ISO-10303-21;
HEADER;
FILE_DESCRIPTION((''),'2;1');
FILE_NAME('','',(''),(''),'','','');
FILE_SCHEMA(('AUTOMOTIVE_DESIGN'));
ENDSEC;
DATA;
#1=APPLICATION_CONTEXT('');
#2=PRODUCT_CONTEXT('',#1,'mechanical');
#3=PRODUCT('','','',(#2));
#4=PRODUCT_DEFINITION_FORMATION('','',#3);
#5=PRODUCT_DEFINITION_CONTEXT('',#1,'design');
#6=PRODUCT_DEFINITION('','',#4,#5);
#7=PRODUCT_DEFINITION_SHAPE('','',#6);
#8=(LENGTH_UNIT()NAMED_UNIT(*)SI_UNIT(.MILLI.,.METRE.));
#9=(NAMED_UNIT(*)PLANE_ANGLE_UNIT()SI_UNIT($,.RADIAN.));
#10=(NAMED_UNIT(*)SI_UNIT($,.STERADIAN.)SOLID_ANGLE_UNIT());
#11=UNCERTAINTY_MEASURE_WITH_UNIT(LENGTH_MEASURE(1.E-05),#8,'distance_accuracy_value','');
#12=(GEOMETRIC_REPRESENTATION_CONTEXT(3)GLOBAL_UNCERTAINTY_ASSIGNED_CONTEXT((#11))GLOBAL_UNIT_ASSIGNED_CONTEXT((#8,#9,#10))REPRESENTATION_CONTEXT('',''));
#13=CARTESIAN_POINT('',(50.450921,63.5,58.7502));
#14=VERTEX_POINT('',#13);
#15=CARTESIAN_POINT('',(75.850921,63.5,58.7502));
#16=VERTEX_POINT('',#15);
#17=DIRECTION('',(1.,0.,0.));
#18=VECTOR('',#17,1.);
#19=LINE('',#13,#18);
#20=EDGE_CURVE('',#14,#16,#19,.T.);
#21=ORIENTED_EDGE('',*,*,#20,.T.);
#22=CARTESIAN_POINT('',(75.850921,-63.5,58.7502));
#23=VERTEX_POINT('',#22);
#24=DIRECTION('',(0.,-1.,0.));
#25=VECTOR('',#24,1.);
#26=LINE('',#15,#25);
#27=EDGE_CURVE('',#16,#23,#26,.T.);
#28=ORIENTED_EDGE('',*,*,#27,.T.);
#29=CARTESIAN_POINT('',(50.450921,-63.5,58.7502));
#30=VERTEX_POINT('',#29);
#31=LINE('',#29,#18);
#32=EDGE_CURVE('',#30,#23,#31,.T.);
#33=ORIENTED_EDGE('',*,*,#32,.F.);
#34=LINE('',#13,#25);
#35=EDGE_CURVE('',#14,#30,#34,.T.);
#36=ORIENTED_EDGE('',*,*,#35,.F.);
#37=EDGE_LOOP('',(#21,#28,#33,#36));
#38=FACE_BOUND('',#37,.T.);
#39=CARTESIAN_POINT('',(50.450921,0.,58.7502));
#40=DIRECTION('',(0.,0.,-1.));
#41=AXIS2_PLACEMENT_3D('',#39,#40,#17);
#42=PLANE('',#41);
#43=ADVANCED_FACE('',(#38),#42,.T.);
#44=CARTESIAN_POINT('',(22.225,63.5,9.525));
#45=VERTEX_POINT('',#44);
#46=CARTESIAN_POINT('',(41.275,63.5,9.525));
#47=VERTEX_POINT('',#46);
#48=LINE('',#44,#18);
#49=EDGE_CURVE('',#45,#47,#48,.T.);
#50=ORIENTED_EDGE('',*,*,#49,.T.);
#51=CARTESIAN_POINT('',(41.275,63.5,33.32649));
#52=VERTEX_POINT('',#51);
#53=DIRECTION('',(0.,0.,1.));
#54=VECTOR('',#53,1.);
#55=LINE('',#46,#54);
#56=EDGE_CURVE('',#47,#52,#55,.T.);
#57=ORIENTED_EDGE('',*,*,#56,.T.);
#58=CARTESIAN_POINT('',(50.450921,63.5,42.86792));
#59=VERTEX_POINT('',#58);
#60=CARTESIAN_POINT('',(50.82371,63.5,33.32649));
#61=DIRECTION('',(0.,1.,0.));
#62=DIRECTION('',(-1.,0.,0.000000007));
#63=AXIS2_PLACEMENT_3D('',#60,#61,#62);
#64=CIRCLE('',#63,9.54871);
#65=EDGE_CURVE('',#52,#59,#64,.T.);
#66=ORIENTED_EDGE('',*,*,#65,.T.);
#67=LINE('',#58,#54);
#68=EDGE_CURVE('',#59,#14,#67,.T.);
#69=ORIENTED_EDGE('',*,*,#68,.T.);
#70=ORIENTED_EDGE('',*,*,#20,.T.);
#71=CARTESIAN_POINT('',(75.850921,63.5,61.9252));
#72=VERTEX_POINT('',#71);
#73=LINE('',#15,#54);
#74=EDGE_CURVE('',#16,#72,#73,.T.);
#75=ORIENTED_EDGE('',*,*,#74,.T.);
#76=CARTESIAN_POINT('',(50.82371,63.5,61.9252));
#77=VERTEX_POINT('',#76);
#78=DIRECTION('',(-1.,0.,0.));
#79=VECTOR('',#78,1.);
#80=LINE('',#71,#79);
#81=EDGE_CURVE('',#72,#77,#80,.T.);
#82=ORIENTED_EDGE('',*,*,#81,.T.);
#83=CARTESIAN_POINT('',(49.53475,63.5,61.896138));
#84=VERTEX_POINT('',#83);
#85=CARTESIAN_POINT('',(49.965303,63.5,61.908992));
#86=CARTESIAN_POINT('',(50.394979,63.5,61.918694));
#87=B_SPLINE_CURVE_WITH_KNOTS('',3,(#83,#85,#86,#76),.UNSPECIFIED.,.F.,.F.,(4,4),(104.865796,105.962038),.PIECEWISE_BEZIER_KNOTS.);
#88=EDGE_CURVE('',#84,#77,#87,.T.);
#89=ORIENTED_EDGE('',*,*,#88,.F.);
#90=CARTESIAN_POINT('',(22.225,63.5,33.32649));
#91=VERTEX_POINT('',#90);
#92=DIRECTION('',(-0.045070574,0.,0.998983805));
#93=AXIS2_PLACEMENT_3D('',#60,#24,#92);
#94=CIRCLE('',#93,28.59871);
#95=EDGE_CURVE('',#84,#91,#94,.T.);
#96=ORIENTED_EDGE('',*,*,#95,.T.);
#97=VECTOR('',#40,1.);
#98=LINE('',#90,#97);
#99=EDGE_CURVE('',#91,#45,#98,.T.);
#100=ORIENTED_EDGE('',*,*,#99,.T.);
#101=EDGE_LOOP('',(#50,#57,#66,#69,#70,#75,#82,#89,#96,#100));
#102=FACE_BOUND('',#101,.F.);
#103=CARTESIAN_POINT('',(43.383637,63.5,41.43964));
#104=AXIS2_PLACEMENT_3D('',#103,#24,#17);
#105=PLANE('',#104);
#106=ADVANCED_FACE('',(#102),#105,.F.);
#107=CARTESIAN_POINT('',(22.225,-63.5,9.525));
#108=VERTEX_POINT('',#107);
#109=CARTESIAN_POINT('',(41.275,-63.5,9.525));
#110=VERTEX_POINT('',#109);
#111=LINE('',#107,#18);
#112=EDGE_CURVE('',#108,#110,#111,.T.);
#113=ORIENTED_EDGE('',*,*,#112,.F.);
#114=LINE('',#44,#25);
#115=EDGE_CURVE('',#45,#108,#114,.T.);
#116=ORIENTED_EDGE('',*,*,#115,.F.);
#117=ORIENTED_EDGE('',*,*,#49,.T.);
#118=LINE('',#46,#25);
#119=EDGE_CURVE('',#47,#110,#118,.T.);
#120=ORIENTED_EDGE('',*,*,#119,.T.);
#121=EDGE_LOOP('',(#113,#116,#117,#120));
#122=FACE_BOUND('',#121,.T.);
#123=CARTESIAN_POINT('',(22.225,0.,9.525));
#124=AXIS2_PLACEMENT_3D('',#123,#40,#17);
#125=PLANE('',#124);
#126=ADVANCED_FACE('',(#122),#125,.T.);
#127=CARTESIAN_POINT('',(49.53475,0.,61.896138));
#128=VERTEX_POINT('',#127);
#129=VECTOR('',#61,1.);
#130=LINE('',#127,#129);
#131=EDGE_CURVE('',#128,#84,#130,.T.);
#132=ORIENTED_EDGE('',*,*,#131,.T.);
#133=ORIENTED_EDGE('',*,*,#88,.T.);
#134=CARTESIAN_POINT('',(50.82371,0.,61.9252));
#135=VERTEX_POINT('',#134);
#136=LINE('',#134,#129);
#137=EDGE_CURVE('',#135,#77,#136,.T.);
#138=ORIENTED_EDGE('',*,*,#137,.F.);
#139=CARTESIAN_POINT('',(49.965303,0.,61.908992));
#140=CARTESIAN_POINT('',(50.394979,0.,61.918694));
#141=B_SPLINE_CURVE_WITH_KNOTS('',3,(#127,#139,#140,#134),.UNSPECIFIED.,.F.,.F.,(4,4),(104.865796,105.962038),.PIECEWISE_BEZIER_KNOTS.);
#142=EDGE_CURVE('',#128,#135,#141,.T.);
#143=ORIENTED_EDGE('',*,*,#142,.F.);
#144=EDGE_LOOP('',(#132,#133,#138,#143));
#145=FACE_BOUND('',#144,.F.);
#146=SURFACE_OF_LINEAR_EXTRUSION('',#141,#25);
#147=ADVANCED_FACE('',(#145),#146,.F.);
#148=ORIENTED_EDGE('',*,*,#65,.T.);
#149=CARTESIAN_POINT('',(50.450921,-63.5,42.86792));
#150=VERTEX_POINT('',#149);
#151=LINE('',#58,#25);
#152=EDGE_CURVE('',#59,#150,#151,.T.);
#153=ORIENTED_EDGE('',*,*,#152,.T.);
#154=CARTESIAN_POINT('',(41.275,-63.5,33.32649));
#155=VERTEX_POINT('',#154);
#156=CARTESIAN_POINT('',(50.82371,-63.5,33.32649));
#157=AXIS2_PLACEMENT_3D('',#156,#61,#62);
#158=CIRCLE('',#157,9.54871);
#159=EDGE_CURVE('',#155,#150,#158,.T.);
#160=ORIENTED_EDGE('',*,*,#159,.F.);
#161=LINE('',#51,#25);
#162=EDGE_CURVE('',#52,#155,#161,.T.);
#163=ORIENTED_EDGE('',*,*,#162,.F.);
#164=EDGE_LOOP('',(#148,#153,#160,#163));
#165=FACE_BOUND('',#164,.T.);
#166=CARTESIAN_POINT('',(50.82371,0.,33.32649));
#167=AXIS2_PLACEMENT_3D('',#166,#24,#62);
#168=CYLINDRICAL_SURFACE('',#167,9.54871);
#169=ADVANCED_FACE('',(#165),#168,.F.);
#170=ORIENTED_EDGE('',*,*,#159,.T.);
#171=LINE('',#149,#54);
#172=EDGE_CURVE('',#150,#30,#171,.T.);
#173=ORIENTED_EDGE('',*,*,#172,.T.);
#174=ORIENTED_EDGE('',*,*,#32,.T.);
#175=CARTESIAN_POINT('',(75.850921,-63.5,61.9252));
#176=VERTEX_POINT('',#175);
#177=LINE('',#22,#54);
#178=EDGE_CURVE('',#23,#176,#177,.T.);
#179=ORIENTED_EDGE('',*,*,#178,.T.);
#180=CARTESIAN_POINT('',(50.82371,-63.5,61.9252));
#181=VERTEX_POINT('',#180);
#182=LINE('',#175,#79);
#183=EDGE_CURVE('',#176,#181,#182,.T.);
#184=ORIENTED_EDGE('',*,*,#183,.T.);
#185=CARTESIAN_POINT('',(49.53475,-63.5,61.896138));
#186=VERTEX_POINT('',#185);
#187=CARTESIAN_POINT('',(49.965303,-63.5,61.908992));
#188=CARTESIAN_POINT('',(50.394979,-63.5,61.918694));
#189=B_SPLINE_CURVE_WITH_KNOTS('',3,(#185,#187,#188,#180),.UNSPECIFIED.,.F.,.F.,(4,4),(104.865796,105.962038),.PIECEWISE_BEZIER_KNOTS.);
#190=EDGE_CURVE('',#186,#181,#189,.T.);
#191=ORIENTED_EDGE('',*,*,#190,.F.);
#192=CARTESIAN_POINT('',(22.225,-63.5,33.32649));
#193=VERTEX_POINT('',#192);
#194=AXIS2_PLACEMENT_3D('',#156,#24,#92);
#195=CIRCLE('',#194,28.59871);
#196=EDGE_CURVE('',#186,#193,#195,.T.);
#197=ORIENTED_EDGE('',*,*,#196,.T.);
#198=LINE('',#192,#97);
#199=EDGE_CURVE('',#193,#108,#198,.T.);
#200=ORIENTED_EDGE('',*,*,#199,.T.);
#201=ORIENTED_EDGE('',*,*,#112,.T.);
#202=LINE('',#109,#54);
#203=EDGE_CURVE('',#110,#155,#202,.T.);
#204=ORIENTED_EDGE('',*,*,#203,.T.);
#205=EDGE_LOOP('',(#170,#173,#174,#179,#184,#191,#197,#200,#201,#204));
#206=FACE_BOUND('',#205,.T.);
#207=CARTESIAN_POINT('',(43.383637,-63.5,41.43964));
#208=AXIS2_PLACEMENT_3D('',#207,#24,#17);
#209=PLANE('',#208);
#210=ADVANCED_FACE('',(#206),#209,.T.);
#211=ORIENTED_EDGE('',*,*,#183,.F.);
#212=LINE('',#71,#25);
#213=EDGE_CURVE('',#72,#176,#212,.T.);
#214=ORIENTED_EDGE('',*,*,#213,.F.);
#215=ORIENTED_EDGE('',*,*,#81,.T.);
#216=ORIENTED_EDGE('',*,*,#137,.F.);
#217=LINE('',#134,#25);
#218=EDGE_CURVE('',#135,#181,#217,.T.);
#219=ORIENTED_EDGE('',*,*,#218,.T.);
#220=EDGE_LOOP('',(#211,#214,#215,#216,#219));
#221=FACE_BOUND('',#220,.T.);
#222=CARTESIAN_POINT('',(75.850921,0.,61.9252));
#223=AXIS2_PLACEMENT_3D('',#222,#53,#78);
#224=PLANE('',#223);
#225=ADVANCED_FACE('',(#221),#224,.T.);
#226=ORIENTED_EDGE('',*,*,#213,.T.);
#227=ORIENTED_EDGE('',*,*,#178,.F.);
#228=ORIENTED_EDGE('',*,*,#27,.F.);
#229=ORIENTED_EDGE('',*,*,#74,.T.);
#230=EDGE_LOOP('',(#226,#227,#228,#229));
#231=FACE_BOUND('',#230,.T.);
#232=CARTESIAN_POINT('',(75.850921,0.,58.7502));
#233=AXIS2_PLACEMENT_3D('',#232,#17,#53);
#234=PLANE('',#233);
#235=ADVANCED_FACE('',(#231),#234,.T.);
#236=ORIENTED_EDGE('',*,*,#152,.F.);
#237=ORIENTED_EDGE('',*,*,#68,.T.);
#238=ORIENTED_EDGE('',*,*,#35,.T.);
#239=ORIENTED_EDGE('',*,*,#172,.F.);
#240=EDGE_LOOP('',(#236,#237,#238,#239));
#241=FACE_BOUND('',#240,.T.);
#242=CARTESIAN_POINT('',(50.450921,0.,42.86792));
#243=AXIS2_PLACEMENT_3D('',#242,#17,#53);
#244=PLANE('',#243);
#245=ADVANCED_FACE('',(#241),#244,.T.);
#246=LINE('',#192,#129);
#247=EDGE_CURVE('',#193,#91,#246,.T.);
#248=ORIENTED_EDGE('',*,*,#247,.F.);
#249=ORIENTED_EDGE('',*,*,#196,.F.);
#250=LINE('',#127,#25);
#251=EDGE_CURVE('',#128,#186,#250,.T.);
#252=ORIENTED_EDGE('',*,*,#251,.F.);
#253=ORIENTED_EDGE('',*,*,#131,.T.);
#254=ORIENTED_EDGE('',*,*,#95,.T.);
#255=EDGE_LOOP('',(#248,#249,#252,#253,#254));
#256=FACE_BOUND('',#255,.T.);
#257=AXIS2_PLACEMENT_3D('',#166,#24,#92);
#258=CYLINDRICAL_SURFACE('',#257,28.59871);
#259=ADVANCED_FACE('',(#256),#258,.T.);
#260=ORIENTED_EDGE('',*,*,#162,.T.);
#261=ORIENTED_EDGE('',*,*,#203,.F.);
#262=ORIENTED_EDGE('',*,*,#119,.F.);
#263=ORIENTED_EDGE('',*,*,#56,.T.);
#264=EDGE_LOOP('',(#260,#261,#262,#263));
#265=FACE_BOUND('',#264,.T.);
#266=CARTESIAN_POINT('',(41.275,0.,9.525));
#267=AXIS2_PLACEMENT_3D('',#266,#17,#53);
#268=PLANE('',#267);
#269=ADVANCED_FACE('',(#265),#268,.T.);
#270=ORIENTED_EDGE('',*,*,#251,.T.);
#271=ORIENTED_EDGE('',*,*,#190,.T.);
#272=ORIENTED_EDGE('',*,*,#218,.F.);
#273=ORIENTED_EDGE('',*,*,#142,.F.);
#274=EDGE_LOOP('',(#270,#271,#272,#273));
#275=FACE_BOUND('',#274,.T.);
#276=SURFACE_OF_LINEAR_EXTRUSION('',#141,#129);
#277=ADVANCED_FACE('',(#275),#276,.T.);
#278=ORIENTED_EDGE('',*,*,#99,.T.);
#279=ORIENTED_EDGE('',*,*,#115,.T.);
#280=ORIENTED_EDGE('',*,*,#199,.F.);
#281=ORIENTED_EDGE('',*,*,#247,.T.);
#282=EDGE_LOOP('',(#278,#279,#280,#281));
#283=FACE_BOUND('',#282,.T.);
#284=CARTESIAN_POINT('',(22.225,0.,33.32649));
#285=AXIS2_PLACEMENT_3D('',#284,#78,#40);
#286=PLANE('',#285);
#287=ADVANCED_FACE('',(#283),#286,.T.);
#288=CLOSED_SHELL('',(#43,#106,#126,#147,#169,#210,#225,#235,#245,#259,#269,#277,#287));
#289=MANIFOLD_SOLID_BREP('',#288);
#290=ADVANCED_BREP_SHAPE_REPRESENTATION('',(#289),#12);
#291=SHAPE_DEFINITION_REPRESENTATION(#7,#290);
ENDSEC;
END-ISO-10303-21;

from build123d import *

# Parameters (mm, degrees)
F1_DEPTH = 63.5


with BuildPart() as f1:
    # F0 (on Front) → F1 (new body, symmetric)
    with BuildSketch(Plane.XZ):
        with BuildLine():
            Line((22.225, 33.32649), (22.225, 9.525))
            Line((22.225, 9.525), (41.275, 9.525))
            Line((41.275, 9.525), (41.275, 33.32649))
            ThreePointArc((41.275, 33.32649), (43.941213, 39.945334), (50.450921, 42.86792))
            Line((50.450921, 42.86792), (50.450921, 58.7502))
            Line((50.450921, 58.7502), (75.850921, 58.7502))
            Line((75.850921, 58.7502), (75.850921, 61.9252))
            Line((75.850921, 61.9252), (50.82371, 61.9252))
            add(Edge.make_bspline(
                [(49.53475, 61.896138), (49.965303, 61.908992), (50.394979, 61.918694), (50.82371, 61.9252)],
                knots=[104.865796, 104.865796, 104.865796, 104.865796, 105.962038, 105.962038, 105.962038, 105.962038], degree=3))
            ThreePointArc((49.53475, 61.896138), (30.150674, 53.087861), (22.225, 33.32649))
        make_face()
    extrude(amount=F1_DEPTH, both=True)


solid = f1.part
